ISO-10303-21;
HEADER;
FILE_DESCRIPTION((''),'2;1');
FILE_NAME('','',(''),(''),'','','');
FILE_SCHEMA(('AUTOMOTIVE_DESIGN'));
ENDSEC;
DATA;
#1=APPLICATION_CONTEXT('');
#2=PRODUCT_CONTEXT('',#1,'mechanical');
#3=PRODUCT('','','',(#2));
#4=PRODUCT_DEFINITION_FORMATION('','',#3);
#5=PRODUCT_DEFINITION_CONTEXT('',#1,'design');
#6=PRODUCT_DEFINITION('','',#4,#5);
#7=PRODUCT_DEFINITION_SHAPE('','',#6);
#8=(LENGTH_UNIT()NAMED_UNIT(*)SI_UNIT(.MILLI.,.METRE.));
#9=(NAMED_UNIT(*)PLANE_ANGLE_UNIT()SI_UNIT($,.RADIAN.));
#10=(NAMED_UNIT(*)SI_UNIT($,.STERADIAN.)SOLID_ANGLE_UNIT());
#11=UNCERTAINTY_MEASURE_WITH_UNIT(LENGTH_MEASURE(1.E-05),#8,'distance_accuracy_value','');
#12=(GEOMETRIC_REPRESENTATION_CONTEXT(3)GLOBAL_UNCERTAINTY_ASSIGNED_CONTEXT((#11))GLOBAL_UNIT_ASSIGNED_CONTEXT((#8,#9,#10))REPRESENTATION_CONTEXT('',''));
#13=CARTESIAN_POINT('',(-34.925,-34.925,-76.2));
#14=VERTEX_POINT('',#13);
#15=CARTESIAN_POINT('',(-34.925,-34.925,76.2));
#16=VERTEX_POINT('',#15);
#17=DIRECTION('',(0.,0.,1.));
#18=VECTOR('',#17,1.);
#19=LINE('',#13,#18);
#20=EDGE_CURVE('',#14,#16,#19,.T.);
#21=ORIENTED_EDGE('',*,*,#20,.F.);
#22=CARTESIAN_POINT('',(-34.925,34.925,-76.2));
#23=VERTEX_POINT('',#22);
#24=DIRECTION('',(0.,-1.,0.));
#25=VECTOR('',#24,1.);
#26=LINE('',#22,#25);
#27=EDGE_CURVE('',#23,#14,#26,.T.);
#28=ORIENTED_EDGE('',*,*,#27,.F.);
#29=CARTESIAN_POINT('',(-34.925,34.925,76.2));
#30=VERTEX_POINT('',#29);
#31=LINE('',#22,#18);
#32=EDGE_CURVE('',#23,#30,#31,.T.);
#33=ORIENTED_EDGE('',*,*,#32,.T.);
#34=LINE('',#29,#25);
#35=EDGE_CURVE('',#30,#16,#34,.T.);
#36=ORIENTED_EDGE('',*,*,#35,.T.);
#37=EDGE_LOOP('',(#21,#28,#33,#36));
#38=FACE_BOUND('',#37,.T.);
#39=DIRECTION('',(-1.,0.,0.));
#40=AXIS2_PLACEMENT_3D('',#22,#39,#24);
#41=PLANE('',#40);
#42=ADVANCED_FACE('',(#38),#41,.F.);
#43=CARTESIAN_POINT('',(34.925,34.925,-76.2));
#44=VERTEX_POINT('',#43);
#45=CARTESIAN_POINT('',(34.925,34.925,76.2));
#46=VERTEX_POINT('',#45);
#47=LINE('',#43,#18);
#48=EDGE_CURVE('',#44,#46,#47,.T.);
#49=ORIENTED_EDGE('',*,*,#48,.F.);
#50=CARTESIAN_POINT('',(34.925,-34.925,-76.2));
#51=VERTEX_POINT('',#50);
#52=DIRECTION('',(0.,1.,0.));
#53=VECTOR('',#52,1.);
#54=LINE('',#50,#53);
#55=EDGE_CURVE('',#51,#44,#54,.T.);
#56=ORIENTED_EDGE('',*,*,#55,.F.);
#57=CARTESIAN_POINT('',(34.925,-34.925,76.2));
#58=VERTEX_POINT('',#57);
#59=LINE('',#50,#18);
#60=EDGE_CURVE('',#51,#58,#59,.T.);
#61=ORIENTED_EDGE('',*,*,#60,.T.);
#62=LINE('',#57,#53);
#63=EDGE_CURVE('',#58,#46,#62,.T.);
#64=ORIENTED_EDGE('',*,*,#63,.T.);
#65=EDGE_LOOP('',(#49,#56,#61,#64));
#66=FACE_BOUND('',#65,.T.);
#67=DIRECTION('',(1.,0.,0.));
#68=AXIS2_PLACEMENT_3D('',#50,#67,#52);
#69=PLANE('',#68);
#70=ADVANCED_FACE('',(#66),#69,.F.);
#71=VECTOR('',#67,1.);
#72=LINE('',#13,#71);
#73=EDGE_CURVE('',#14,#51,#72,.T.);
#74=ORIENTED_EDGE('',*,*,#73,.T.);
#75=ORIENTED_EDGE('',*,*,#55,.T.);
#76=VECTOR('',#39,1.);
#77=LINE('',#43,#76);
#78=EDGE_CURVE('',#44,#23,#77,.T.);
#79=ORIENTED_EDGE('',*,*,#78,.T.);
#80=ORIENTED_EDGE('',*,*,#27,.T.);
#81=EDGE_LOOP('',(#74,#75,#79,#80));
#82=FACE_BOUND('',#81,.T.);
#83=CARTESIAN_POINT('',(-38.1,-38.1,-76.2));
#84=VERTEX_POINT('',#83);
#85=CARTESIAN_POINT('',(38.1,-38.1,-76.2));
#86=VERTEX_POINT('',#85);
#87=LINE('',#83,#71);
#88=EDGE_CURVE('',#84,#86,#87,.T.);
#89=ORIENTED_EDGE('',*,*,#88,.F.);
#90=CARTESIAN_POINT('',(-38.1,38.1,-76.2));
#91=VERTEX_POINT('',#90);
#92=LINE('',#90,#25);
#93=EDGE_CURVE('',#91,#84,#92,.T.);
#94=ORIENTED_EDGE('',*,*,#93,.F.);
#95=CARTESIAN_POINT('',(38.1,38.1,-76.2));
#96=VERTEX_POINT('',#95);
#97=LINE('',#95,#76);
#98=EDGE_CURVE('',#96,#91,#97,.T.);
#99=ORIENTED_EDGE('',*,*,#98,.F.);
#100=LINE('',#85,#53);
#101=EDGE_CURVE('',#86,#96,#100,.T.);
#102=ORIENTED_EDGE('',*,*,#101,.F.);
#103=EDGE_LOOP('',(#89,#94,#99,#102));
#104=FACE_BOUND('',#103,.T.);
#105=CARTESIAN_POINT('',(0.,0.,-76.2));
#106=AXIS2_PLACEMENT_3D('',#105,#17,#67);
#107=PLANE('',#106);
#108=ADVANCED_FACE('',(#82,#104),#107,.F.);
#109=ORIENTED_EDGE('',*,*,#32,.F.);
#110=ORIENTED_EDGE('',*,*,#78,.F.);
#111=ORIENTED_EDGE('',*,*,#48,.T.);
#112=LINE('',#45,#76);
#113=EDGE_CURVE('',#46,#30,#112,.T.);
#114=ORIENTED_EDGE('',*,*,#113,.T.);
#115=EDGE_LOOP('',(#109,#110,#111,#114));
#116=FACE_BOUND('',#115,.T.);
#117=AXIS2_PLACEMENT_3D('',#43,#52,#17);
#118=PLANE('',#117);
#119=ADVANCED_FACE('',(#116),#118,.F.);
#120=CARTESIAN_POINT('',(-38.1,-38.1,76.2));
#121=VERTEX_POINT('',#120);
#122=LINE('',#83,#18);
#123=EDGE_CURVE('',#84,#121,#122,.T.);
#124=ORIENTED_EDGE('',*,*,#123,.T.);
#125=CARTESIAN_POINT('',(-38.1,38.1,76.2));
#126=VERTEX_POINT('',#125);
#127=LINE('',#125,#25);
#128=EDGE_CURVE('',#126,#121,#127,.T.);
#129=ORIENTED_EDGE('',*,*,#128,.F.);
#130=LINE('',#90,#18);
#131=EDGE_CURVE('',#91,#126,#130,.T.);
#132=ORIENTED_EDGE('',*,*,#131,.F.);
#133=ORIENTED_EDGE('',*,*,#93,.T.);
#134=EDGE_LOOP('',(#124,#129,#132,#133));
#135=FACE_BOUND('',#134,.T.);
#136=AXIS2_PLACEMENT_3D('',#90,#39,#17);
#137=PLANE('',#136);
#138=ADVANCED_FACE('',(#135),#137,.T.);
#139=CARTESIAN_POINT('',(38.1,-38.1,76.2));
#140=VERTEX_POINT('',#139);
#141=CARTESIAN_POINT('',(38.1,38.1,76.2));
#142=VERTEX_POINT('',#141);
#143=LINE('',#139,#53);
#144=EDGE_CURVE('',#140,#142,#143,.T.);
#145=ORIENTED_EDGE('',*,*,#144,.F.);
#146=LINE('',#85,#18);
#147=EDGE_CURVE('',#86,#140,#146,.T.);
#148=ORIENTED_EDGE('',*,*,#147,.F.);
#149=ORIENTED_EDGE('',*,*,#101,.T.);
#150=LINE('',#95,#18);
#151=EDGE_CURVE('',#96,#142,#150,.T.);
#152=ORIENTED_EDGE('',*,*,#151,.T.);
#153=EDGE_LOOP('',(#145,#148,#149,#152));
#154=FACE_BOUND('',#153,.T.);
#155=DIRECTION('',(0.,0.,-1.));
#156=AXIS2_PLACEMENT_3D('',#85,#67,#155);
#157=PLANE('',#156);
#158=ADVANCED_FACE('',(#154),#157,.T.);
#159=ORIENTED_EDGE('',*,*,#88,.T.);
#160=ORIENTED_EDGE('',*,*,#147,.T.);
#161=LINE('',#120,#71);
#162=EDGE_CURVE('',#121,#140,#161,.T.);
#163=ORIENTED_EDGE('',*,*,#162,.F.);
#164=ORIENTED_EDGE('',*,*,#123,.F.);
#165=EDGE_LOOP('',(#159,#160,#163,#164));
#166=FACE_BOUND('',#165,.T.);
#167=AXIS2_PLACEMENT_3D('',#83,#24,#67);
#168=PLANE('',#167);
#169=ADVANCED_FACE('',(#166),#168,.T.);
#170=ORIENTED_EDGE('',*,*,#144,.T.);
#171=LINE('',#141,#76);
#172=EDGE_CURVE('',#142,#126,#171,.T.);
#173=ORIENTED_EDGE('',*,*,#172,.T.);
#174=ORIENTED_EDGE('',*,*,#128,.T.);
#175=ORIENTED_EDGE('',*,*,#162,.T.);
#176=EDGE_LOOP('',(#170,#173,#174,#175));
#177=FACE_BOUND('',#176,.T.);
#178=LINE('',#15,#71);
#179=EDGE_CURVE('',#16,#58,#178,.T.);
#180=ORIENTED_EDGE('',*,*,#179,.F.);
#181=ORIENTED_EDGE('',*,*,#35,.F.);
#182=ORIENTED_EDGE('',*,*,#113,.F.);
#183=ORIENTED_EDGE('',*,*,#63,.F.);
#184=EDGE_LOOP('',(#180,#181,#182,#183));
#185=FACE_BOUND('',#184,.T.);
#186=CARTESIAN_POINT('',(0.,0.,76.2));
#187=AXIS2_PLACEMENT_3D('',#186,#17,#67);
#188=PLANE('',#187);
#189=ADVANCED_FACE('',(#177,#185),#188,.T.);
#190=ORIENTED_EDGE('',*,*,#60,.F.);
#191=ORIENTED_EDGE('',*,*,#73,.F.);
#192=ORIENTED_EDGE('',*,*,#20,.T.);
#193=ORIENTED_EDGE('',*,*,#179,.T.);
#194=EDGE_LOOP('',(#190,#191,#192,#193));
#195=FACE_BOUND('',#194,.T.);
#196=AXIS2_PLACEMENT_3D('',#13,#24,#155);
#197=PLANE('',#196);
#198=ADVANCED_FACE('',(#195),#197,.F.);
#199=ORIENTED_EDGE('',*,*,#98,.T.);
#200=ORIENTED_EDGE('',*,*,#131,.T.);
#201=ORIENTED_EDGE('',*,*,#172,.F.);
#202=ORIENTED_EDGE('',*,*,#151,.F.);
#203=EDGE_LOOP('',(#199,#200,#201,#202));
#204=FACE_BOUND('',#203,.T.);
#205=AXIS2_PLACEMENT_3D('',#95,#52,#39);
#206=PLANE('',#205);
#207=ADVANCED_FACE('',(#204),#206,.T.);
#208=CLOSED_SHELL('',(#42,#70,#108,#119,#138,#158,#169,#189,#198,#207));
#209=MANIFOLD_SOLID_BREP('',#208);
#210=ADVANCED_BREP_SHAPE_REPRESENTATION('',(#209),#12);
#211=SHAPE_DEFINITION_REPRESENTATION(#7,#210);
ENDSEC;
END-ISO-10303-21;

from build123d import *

# Parameters (mm, degrees)
SKETCH3_W                = 76.2
SKETCH3_H                = 76.2
SKETCH3_W_2              = 69.85
SKETCH3_H_2              = 69.85
BOSS_EXTRUDE1_DEPTH      = 76.2
BOSS_EXTRUDE1_DEPTH_BACK = 76.2


with BuildPart() as part:
    # Sketch3 → Boss-Extrude1 (new body, two sides)
    with BuildSketch(Plane.XY) as boss_extrude1_sk:
        Rectangle(SKETCH3_W, SKETCH3_H)
        Rectangle(SKETCH3_W_2, SKETCH3_H_2, mode=Mode.SUBTRACT)
    extrude(amount=BOSS_EXTRUDE1_DEPTH)
    extrude(boss_extrude1_sk.sketch, amount=-BOSS_EXTRUDE1_DEPTH_BACK)


solid = part.part
